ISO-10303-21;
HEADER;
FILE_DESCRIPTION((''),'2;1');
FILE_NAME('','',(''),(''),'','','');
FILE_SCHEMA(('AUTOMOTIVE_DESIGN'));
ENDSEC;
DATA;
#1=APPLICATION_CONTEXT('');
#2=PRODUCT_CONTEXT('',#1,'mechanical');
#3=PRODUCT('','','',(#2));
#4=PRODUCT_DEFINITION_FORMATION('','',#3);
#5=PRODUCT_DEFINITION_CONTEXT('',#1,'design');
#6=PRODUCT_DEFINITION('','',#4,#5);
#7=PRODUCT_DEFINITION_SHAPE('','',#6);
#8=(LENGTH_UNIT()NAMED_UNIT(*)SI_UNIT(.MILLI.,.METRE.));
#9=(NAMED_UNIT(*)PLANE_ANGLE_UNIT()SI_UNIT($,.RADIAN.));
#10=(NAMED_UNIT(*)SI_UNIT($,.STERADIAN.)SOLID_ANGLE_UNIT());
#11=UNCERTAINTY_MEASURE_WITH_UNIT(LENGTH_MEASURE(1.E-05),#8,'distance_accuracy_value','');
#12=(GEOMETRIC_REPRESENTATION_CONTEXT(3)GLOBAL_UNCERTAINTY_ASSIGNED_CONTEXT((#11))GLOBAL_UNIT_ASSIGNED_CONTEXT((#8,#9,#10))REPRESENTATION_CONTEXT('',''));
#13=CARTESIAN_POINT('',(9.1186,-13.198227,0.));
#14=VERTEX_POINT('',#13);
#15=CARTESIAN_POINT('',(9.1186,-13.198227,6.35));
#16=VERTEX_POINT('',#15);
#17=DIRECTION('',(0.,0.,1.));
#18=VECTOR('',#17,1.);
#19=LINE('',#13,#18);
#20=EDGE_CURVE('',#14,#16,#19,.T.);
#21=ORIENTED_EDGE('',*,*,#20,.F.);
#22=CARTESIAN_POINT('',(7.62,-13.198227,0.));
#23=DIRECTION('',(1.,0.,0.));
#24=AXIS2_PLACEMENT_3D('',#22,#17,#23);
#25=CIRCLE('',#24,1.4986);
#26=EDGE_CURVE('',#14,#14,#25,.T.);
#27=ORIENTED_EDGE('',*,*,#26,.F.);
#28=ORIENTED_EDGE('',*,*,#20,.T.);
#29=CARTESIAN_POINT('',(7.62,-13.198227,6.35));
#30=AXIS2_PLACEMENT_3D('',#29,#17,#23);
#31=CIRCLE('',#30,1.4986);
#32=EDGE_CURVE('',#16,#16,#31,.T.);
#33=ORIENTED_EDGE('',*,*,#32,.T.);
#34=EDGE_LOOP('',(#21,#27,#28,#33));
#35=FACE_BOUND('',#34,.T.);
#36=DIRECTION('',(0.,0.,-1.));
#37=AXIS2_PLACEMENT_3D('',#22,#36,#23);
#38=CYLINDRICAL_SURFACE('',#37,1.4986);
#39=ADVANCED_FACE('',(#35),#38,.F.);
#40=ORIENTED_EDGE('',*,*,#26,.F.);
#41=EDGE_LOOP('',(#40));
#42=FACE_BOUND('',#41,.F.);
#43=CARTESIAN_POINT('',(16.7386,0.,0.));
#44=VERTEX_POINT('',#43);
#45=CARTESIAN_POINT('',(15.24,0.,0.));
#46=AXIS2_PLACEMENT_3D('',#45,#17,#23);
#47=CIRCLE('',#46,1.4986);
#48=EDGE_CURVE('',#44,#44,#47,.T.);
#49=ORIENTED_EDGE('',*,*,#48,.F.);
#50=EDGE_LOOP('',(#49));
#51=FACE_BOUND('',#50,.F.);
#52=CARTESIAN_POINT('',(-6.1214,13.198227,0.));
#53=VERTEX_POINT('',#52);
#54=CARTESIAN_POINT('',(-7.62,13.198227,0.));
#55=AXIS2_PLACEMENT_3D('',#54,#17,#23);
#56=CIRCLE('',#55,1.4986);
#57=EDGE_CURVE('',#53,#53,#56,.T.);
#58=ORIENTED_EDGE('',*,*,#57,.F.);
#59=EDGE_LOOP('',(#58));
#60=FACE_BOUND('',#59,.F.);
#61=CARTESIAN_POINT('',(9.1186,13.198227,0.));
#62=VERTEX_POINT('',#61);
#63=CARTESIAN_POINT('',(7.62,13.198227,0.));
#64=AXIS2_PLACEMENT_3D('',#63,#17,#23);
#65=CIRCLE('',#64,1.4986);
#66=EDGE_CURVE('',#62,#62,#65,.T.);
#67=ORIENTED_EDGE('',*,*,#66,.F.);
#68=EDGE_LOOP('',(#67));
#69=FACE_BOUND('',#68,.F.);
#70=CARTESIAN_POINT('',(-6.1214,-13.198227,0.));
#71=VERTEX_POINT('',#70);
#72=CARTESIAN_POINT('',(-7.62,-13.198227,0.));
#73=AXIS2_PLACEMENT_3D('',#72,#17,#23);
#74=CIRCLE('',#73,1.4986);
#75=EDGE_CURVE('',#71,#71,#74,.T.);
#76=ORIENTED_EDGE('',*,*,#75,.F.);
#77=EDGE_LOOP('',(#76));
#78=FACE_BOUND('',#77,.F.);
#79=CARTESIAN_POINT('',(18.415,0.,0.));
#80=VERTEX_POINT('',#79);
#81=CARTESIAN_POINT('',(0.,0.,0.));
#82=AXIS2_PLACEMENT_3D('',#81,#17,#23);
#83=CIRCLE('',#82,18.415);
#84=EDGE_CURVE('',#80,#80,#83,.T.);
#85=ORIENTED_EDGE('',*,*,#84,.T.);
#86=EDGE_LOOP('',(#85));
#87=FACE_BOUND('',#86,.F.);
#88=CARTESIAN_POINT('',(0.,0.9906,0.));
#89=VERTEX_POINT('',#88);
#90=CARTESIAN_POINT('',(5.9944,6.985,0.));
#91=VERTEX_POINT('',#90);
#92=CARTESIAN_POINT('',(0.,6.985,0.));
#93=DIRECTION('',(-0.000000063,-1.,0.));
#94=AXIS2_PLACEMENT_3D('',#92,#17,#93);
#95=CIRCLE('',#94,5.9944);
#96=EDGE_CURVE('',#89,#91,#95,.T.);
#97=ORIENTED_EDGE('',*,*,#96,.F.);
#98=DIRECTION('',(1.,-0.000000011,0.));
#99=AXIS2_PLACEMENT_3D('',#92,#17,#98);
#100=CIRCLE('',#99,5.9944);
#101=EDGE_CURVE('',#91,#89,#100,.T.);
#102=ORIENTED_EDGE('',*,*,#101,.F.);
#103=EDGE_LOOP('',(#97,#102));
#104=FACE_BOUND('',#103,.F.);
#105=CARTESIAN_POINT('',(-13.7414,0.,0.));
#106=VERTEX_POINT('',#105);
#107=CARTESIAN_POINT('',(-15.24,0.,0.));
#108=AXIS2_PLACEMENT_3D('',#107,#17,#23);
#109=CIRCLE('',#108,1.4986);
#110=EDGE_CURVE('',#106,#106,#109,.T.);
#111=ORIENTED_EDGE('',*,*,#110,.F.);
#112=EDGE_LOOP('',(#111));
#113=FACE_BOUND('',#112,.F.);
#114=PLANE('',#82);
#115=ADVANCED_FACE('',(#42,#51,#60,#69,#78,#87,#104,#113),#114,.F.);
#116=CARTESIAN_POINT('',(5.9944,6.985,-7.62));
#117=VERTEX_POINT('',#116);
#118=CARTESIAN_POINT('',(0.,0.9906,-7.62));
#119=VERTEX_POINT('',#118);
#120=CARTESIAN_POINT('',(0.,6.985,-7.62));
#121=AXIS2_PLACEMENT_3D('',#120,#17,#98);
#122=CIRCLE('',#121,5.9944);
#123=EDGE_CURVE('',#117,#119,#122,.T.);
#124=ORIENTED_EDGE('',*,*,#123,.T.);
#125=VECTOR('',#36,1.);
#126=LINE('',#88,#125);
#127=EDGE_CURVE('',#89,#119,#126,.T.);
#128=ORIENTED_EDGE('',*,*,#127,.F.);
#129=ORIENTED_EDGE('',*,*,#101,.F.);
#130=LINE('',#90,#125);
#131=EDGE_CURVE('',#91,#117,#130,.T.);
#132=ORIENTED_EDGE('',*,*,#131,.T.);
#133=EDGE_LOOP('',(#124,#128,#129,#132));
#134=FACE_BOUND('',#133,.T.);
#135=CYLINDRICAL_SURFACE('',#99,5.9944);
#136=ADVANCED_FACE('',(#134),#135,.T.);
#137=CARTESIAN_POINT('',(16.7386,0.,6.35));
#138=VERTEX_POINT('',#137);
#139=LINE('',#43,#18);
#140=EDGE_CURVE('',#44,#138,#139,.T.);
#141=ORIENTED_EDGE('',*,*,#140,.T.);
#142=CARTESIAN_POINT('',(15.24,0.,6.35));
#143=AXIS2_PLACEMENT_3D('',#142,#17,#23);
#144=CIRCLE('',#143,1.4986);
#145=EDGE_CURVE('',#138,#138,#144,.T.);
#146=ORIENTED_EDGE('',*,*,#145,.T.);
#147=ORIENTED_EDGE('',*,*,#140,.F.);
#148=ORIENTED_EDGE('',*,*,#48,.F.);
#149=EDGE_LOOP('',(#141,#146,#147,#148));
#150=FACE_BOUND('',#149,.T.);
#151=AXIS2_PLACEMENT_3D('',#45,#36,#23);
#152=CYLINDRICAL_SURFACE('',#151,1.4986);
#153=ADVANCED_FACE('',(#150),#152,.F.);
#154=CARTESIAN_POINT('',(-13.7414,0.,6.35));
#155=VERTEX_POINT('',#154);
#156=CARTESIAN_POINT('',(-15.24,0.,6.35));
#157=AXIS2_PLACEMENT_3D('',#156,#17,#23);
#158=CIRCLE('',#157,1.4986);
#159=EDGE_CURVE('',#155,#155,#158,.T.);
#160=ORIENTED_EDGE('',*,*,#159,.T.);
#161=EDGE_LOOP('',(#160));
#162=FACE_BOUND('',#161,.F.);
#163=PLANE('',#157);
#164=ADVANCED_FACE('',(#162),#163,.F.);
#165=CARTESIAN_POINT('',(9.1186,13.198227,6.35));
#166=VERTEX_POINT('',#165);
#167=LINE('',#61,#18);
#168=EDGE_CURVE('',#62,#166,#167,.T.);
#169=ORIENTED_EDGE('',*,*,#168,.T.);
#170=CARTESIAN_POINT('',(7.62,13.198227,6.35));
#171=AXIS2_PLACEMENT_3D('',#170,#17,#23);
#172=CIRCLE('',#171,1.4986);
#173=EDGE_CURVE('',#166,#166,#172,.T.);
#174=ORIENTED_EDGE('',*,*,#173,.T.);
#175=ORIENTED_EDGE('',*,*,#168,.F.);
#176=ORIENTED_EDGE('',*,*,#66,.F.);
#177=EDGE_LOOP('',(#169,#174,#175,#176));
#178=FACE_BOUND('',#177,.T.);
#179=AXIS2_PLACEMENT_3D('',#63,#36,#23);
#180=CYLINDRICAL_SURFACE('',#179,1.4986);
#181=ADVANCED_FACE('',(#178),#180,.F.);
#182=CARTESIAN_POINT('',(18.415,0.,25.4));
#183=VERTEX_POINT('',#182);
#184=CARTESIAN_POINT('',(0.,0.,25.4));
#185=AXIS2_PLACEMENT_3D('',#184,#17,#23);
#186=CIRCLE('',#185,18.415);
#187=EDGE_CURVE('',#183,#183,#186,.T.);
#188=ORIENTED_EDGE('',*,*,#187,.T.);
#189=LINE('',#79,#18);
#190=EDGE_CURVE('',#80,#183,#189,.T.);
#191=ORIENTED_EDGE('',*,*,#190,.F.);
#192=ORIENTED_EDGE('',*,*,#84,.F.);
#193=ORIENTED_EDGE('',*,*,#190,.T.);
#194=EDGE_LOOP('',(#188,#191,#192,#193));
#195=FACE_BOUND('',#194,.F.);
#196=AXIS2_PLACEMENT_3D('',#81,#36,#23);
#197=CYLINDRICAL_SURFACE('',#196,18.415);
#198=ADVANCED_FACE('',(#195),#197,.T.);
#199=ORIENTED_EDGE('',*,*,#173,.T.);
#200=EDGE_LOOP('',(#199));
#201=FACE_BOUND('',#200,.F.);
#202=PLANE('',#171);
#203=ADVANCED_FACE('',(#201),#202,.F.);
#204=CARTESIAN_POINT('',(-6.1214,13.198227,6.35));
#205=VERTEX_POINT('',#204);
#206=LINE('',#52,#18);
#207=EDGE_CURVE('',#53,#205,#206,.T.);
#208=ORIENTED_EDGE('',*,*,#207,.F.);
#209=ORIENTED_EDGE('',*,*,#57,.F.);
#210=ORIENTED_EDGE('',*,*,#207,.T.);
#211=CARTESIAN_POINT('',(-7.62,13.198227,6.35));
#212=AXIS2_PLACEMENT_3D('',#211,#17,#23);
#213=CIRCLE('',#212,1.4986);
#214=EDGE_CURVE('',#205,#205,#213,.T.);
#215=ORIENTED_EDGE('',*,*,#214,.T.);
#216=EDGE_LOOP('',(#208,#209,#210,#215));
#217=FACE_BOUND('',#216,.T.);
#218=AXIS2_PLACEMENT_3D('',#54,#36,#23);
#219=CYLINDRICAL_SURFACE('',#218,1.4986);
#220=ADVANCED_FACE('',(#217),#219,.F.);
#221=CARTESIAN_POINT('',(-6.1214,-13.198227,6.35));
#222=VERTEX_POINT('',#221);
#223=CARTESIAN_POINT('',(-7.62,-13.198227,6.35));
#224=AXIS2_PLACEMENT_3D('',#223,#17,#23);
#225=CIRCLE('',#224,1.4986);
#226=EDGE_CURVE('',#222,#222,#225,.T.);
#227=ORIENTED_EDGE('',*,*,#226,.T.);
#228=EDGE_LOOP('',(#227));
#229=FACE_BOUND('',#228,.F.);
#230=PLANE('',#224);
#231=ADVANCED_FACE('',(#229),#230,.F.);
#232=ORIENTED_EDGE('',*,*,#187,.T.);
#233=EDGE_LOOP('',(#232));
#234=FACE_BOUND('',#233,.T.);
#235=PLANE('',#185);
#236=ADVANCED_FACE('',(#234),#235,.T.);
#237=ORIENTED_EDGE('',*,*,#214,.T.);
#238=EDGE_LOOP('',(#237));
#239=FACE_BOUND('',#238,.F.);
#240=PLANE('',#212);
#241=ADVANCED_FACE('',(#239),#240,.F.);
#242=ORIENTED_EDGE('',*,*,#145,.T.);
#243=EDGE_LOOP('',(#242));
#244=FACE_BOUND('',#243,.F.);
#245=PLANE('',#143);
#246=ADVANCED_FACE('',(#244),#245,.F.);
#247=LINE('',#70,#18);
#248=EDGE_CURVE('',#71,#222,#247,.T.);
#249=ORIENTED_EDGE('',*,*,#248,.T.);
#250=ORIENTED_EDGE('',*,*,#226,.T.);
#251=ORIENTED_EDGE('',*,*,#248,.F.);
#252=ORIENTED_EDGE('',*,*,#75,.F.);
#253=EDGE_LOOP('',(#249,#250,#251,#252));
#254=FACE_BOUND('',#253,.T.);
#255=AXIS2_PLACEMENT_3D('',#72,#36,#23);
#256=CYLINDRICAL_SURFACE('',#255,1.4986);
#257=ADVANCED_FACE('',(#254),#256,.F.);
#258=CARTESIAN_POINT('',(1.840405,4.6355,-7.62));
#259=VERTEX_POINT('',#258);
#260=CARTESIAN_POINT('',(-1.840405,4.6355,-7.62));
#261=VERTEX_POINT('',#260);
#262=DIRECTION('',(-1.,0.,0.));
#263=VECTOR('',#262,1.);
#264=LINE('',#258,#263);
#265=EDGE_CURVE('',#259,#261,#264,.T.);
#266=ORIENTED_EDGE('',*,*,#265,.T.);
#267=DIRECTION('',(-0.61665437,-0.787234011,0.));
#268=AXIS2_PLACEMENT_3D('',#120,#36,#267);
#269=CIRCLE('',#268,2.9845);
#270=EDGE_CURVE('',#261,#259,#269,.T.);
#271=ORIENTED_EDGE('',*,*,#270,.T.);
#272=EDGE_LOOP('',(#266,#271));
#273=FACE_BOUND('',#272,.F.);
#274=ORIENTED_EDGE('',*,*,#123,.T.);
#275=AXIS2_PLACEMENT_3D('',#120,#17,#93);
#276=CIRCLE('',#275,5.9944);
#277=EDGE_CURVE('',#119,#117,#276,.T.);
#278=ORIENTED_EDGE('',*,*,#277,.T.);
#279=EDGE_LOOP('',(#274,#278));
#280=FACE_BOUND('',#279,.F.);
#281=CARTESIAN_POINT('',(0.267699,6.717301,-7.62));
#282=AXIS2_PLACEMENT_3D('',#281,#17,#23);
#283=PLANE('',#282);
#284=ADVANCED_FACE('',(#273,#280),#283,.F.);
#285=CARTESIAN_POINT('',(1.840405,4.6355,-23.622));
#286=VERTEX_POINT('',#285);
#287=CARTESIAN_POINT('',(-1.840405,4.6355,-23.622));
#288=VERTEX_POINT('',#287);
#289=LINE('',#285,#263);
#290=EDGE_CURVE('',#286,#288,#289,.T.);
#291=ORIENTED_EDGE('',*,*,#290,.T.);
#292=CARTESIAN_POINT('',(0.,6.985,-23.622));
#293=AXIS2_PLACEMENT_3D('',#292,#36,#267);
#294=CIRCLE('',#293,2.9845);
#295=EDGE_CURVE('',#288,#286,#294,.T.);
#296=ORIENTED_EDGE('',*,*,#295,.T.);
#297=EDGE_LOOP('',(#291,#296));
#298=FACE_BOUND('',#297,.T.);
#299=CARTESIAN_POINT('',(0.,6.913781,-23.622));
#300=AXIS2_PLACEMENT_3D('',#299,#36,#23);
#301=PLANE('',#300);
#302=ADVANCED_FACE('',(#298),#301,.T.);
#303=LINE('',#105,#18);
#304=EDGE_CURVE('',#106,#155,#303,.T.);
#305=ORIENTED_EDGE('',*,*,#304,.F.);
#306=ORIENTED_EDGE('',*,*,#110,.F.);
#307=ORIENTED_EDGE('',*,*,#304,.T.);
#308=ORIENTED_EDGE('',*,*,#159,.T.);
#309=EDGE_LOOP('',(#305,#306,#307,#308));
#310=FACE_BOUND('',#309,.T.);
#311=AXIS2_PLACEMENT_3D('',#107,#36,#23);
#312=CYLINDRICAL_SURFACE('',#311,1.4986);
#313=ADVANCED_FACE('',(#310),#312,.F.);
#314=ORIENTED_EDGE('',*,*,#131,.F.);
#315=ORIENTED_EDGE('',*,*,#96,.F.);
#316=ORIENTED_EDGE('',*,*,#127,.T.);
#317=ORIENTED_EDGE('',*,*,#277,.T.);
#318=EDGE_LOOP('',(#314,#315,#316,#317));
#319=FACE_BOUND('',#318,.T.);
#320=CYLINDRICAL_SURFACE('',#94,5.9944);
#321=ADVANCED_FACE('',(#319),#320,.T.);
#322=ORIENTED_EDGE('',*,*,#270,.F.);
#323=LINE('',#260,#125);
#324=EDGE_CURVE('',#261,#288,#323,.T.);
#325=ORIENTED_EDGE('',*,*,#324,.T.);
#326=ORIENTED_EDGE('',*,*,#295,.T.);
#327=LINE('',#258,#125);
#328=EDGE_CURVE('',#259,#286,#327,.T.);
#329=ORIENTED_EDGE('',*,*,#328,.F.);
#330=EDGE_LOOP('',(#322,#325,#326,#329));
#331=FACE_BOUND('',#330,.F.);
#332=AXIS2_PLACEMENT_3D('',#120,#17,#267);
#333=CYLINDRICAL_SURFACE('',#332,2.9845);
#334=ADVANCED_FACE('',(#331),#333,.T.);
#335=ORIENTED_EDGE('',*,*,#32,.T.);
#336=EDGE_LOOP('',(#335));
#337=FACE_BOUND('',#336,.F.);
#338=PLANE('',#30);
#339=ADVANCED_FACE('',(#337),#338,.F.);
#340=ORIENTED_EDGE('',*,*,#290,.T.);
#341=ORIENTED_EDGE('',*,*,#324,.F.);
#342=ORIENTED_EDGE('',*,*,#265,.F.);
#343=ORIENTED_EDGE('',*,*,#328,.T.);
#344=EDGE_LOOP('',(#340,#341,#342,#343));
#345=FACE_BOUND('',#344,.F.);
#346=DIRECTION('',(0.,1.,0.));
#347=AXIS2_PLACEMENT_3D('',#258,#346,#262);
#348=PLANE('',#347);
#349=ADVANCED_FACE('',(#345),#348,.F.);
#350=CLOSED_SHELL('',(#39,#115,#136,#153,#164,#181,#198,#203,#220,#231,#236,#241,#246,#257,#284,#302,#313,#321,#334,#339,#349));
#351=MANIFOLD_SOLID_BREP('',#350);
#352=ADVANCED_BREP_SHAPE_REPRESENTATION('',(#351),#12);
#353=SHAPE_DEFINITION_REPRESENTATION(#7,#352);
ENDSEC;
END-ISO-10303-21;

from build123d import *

# Parameters (mm, degrees)
F0_R     = 18.415
F3_DEPTH = 25.4
F1_R     = 1.4986
F4_DEPTH = 6.35
F5_DEPTH = 7.62
F7_DEPTH = 16.002


with BuildPart() as f3:
    # F0 (on Top) → F3 (new body)
    with BuildSketch(Plane.XY):
        Circle(F0_R)
    extrude(amount=F3_DEPTH)

    # F1 (on Top) → F4 (cut)
    with BuildSketch(Plane.XY):
        with Locations((-15.24, 0)):
            Circle(F1_R)
        with Locations((-7.62, -13.198227)):
            Circle(F1_R)
        with Locations((7.62, -13.198227)):
            Circle(F1_R)
        with BuildLine():
            ThreePointArc((13.7414, 0), (15.24, -1.4986), (16.7386, 0))
            ThreePointArc((16.7386, 0), (15.24, 1.4986), (13.7414, 0))
        make_face()
        with Locations((7.62, 13.198227)):
            Circle(F1_R)
        with Locations((-7.62, 13.198227)):
            Circle(F1_R)
    extrude(amount=F4_DEPTH, mode=Mode.SUBTRACT)

    # F2 (on Top) → F5 (join)
    with BuildSketch(Plane.XY):
        with BuildLine():
            ThreePointArc((0, 0.9906), (4.238681, 2.746319), (5.9944, 6.985))
            ThreePointArc((5.9944, 6.985), (-4.238681, 11.223681), (0, 0.9906))
        make_face()
    extrude(amount=-F5_DEPTH)

    # F6 (on face) → F7 (join)
    with BuildSketch(Plane(origin=(0, 0, -7.62), x_dir=(1, 0, 0), z_dir=(0, 0, -1))):
        with BuildLine():
            Line((1.840405, -4.6355), (0, -4.6355))
            Line((0, -4.6355), (-1.840405, -4.6355))
            ThreePointArc((-1.840405, -4.6355), (0, -9.9695), (1.840405, -4.6355))
        make_face()
    extrude(amount=F7_DEPTH)


solid = f3.part
